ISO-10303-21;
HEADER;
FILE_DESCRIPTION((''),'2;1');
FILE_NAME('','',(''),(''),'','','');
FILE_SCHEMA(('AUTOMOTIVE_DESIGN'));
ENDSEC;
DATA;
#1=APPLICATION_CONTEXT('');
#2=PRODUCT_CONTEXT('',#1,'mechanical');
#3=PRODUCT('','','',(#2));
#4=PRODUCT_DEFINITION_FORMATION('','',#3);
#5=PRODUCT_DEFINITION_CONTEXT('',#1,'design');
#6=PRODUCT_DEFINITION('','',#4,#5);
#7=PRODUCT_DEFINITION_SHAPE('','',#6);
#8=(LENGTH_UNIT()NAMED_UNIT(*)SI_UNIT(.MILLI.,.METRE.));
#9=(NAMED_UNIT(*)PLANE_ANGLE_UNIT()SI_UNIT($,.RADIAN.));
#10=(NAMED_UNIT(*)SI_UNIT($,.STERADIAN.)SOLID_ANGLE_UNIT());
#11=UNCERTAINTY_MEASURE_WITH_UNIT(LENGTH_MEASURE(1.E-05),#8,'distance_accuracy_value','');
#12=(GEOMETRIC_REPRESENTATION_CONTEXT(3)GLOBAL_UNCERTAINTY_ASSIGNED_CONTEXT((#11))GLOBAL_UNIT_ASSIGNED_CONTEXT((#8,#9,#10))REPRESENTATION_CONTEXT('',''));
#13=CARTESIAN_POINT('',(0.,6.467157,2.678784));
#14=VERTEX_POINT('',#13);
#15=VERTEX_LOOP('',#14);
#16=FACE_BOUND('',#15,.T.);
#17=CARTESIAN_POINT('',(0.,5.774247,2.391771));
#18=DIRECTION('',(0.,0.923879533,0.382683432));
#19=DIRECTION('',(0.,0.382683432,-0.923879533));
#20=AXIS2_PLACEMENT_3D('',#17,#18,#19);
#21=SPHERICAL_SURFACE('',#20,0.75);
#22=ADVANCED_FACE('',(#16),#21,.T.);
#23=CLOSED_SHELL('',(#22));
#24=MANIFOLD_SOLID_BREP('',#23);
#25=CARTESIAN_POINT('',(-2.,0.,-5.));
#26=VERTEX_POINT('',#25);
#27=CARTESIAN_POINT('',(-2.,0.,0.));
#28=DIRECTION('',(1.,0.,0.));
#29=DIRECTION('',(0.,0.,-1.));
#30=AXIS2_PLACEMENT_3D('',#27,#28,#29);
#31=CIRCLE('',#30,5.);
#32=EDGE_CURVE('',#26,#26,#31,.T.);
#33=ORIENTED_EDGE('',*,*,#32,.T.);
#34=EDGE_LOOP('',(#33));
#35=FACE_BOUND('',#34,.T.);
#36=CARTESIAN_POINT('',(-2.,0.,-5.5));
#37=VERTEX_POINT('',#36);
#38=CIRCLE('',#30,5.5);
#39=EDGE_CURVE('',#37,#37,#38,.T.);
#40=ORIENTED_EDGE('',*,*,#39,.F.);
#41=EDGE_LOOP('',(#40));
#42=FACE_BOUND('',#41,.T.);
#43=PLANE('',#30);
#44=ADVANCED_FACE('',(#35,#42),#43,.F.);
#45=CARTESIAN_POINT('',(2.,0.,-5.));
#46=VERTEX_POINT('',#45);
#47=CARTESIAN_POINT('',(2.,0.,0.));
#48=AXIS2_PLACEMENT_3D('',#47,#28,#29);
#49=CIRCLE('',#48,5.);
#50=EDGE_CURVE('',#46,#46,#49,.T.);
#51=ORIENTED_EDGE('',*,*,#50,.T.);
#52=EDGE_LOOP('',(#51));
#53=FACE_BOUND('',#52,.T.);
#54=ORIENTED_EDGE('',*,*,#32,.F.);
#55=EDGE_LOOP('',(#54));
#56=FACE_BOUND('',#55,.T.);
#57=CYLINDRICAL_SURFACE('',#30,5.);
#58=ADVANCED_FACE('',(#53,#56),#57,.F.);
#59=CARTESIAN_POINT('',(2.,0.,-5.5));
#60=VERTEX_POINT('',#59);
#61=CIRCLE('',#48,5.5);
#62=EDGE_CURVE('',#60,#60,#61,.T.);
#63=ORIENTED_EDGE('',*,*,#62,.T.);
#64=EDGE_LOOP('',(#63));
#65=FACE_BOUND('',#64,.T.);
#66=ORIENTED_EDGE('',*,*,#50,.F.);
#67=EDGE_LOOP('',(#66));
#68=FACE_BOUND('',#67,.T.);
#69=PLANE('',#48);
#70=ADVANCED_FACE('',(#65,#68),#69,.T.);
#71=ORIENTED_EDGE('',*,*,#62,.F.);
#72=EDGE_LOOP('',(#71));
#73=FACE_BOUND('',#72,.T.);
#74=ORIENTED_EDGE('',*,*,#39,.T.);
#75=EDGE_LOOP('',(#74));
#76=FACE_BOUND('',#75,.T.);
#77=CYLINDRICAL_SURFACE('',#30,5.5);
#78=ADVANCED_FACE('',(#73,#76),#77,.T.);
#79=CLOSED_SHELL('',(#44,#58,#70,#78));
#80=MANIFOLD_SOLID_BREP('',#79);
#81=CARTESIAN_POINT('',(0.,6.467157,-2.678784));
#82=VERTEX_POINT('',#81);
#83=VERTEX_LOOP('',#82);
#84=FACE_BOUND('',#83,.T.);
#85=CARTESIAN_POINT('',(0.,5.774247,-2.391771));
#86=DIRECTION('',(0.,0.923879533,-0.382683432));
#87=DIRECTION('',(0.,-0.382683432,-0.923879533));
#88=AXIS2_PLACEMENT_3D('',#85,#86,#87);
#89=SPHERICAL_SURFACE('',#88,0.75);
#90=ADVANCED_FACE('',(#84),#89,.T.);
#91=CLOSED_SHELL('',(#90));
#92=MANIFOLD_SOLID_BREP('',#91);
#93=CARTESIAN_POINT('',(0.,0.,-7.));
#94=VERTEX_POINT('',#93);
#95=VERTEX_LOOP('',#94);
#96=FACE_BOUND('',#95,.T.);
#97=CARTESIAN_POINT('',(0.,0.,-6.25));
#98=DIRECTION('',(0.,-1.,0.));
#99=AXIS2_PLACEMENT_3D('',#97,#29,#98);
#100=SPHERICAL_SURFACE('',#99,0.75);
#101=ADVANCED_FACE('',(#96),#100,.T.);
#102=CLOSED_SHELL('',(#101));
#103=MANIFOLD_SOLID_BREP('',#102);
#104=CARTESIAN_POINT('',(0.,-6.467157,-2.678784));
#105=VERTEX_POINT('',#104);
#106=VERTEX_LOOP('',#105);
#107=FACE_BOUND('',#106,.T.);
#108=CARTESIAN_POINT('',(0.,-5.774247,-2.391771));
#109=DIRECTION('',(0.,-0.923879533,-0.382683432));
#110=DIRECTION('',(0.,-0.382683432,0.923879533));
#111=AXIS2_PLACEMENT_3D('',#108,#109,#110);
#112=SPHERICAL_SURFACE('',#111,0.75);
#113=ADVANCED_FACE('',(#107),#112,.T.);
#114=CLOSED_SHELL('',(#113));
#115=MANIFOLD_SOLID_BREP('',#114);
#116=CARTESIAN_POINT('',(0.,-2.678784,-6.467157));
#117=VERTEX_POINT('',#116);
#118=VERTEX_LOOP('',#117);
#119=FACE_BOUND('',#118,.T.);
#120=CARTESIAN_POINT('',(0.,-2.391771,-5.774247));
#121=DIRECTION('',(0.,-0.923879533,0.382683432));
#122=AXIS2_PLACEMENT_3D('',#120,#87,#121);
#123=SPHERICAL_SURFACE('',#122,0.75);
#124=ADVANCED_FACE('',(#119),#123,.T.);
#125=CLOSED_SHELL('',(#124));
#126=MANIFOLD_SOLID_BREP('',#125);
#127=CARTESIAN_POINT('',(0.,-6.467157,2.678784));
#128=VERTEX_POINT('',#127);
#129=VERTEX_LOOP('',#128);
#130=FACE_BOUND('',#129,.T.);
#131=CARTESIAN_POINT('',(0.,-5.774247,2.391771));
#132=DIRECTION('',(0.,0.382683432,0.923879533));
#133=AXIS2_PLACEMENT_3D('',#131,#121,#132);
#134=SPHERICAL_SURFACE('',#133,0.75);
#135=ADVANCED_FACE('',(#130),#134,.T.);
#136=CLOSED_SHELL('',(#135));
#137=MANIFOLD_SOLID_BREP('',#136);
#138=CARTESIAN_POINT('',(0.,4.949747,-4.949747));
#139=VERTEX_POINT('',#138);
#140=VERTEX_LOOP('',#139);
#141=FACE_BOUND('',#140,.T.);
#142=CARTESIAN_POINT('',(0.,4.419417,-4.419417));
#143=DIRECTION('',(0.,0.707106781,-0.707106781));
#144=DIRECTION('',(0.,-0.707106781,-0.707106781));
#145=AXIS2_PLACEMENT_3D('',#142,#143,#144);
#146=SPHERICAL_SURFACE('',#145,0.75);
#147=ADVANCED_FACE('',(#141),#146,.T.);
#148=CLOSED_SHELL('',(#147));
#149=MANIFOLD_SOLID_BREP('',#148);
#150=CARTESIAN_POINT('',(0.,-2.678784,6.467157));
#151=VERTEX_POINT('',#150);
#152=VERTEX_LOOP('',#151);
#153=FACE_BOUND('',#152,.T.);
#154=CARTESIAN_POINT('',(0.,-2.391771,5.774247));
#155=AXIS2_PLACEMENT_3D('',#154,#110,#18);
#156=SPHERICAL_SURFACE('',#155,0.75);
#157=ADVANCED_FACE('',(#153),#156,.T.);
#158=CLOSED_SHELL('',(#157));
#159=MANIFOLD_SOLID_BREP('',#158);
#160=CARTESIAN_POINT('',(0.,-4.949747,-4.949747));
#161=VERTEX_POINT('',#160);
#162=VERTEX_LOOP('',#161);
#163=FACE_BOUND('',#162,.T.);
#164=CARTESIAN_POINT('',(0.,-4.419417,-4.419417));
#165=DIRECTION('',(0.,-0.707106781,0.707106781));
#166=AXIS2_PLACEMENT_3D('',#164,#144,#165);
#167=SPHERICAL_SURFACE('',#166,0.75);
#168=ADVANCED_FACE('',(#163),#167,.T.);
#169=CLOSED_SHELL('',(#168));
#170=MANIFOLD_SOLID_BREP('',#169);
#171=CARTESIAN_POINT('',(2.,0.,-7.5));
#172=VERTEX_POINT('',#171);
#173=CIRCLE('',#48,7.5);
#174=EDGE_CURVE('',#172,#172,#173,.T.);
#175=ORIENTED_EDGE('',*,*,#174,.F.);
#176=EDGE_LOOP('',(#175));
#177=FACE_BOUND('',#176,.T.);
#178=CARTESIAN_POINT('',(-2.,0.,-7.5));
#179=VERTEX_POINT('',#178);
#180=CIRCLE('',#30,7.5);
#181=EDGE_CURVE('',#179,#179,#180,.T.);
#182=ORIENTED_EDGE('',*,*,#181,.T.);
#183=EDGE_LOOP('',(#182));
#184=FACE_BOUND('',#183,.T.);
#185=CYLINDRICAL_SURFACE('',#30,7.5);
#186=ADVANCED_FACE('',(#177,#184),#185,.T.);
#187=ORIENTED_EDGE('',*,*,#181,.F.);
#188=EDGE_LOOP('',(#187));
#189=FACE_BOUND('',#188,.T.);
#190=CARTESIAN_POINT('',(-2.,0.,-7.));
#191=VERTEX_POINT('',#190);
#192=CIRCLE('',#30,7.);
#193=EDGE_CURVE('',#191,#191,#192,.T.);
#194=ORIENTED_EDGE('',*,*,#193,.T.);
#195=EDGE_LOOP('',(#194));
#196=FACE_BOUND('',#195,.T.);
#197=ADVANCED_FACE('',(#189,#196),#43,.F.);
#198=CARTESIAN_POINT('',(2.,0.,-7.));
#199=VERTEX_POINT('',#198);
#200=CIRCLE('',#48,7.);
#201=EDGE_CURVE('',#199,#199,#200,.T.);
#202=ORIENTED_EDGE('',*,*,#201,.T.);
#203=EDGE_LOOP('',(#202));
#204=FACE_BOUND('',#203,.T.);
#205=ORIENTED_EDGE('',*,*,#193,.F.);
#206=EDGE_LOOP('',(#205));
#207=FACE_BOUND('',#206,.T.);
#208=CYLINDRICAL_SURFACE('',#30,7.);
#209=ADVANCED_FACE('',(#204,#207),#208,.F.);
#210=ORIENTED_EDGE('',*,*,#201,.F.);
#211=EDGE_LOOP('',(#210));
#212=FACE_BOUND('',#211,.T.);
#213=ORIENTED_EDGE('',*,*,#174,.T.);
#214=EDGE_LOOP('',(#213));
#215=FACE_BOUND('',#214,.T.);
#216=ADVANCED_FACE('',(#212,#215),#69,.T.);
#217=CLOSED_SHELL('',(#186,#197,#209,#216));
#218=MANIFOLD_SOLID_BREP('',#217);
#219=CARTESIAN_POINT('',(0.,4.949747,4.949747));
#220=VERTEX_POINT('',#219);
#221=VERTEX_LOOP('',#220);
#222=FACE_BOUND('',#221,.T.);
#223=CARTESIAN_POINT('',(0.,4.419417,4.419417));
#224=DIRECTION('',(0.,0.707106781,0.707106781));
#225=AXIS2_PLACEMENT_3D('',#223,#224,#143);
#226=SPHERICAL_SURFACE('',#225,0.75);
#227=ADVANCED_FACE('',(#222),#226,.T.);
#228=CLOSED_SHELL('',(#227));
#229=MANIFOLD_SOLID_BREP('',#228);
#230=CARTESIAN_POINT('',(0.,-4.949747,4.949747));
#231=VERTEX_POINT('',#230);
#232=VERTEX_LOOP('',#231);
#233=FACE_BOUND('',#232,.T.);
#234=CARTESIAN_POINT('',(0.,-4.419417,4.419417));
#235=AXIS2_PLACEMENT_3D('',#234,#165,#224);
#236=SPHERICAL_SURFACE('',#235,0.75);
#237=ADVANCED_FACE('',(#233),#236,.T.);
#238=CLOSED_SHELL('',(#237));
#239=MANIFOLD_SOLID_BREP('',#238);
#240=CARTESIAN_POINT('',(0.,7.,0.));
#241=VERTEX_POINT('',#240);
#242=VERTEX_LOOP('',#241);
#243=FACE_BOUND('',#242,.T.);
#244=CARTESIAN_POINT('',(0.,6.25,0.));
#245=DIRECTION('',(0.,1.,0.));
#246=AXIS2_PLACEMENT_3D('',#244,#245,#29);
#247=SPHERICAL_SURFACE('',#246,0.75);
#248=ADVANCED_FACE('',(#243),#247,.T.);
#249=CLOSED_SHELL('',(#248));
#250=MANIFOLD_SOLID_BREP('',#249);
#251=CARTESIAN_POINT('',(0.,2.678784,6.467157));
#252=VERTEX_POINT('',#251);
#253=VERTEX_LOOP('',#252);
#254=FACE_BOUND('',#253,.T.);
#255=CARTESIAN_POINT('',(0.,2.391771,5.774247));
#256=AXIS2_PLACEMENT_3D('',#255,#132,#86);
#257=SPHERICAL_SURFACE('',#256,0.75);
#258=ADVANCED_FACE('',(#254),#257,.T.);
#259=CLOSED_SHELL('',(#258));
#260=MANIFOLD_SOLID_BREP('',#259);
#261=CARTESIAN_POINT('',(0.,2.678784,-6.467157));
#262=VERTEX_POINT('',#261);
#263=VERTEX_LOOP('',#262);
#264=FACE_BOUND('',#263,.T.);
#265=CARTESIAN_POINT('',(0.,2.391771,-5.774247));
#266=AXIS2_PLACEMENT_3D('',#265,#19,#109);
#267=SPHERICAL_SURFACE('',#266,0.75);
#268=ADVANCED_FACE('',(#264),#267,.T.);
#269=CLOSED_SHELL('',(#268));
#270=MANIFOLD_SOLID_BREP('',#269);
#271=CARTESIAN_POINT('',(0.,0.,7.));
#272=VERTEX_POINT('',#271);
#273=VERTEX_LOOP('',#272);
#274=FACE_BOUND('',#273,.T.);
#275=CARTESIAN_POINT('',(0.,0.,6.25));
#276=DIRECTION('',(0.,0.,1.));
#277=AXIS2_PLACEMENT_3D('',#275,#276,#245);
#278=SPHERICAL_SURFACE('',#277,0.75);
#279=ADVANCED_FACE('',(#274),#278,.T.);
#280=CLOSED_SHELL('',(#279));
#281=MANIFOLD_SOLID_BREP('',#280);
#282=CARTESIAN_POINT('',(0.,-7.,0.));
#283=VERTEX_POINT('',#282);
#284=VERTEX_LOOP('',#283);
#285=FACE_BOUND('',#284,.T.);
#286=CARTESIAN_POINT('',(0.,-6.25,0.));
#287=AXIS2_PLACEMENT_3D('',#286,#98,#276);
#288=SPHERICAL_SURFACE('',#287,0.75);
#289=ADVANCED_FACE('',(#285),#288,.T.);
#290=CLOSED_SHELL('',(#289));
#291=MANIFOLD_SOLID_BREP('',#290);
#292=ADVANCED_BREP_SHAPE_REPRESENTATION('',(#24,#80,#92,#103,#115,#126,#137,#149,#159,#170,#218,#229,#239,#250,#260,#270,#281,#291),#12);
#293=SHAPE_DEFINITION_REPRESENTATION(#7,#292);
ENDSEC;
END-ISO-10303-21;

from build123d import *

# Parameters (mm, degrees)
EXTRUDE_1_DEPTH          = 2
EXTRUDE_1_DEPTH_BACK     = 2
SKETCH_1_4_R             = 5.5
SKETCH_1_4_R_2           = 5
EXTRUDE_1_2_DEPTH        = 2
EXTRUDE_1_2_DEPTH_BACK   = 2
SKETCH_1_4_R_3           = 7.5
SKETCH_1_4_R_4           = 7
PATTERN_CIRCULAR_6_COUNT = 16


with BuildPart() as part:
    # 草图1 → 旋转1 (revolve)
    with BuildSketch(Plane(origin=(0, 0, 0), x_dir=(0, 0, -1), z_dir=(1, 0, 0))):
        with BuildLine():
            Line((0, 7), (0, 5.5))
            ThreePointArc((0, 5.5), (0.75, 6.25), (0, 7))
        make_face()
    revolve(axis=Axis((0, 7, 0), (0, -1, 0)))


with BuildPart() as body_2:
    # 草图1<4> → 凸台-拉伸1 (new, two sides: drawn at the far end of the back side and taken through both)
    with BuildSketch(Plane(origin=(0, 0, 0), x_dir=(0, 0, -1), z_dir=(1, 0, 0)).offset(-EXTRUDE_1_DEPTH_BACK)):
        Circle(SKETCH_1_4_R)
        Circle(SKETCH_1_4_R_2, mode=Mode.SUBTRACT)
    extrude(amount=EXTRUDE_1_DEPTH + EXTRUDE_1_DEPTH_BACK)


with BuildPart() as body_3:
    # 草图1<4> → Extrude 1 2 (new, two sides: drawn at the far end of the back side and taken through both)
    with BuildSketch(Plane(origin=(0, 0, 0), x_dir=(0, 0, -1), z_dir=(1, 0, 0)).offset(-EXTRUDE_1_2_DEPTH_BACK)):
        Circle(SKETCH_1_4_R_3)
        Circle(SKETCH_1_4_R_4, mode=Mode.SUBTRACT)
    extrude(amount=EXTRUDE_1_2_DEPTH + EXTRUDE_1_2_DEPTH_BACK)


with BuildPart() as pattern_circular_6_1:
    # 阵列(圆周)6: pattern copy
    add(part.part.rotate(Axis((2, 0, 0), (1, 0, 0)), 1 * 360 / PATTERN_CIRCULAR_6_COUNT))


with BuildPart() as pattern_circular_6_2:
    # 阵列(圆周)6: pattern copy
    add(part.part.rotate(Axis((2, 0, 0), (1, 0, 0)), 2 * 360 / PATTERN_CIRCULAR_6_COUNT))


with BuildPart() as pattern_circular_6_3:
    # 阵列(圆周)6: pattern copy
    add(part.part.rotate(Axis((2, 0, 0), (1, 0, 0)), 3 * 360 / PATTERN_CIRCULAR_6_COUNT))


with BuildPart() as pattern_circular_6_4:
    # 阵列(圆周)6: pattern copy
    add(part.part.rotate(Axis((2, 0, 0), (1, 0, 0)), 4 * 360 / PATTERN_CIRCULAR_6_COUNT))


with BuildPart() as pattern_circular_6_5:
    # 阵列(圆周)6: pattern copy
    add(part.part.rotate(Axis((2, 0, 0), (1, 0, 0)), 5 * 360 / PATTERN_CIRCULAR_6_COUNT))


with BuildPart() as pattern_circular_6_6:
    # 阵列(圆周)6: pattern copy
    add(part.part.rotate(Axis((2, 0, 0), (1, 0, 0)), 6 * 360 / PATTERN_CIRCULAR_6_COUNT))


with BuildPart() as pattern_circular_6_7:
    # 阵列(圆周)6: pattern copy
    add(part.part.rotate(Axis((2, 0, 0), (1, 0, 0)), 7 * 360 / PATTERN_CIRCULAR_6_COUNT))


with BuildPart() as pattern_circular_6_8:
    # 阵列(圆周)6: pattern copy
    add(part.part.rotate(Axis((2, 0, 0), (1, 0, 0)), 8 * 360 / PATTERN_CIRCULAR_6_COUNT))


with BuildPart() as pattern_circular_6_9:
    # 阵列(圆周)6: pattern copy
    add(part.part.rotate(Axis((2, 0, 0), (1, 0, 0)), 9 * 360 / PATTERN_CIRCULAR_6_COUNT))


with BuildPart() as pattern_circular_6_10:
    # 阵列(圆周)6: pattern copy
    add(part.part.rotate(Axis((2, 0, 0), (1, 0, 0)), 10 * 360 / PATTERN_CIRCULAR_6_COUNT))


with BuildPart() as pattern_circular_6_11:
    # 阵列(圆周)6: pattern copy
    add(part.part.rotate(Axis((2, 0, 0), (1, 0, 0)), 11 * 360 / PATTERN_CIRCULAR_6_COUNT))


with BuildPart() as pattern_circular_6_12:
    # 阵列(圆周)6: pattern copy
    add(part.part.rotate(Axis((2, 0, 0), (1, 0, 0)), 12 * 360 / PATTERN_CIRCULAR_6_COUNT))


with BuildPart() as pattern_circular_6_13:
    # 阵列(圆周)6: pattern copy
    add(part.part.rotate(Axis((2, 0, 0), (1, 0, 0)), 13 * 360 / PATTERN_CIRCULAR_6_COUNT))


with BuildPart() as pattern_circular_6_14:
    # 阵列(圆周)6: pattern copy
    add(part.part.rotate(Axis((2, 0, 0), (1, 0, 0)), 14 * 360 / PATTERN_CIRCULAR_6_COUNT))


with BuildPart() as pattern_circular_6_15:
    # 阵列(圆周)6: pattern copy
    add(part.part.rotate(Axis((2, 0, 0), (1, 0, 0)), 15 * 360 / PATTERN_CIRCULAR_6_COUNT))


solid = Compound([part.part, body_2.part, body_3.part, pattern_circular_6_1.part, pattern_circular_6_2.part, pattern_circular_6_3.part, pattern_circular_6_4.part, pattern_circular_6_5.part, pattern_circular_6_6.part, pattern_circular_6_7.part, pattern_circular_6_8.part, pattern_circular_6_9.part, pattern_circular_6_10.part, pattern_circular_6_11.part, pattern_circular_6_12.part, pattern_circular_6_13.part, pattern_circular_6_14.part, pattern_circular_6_15.part])
